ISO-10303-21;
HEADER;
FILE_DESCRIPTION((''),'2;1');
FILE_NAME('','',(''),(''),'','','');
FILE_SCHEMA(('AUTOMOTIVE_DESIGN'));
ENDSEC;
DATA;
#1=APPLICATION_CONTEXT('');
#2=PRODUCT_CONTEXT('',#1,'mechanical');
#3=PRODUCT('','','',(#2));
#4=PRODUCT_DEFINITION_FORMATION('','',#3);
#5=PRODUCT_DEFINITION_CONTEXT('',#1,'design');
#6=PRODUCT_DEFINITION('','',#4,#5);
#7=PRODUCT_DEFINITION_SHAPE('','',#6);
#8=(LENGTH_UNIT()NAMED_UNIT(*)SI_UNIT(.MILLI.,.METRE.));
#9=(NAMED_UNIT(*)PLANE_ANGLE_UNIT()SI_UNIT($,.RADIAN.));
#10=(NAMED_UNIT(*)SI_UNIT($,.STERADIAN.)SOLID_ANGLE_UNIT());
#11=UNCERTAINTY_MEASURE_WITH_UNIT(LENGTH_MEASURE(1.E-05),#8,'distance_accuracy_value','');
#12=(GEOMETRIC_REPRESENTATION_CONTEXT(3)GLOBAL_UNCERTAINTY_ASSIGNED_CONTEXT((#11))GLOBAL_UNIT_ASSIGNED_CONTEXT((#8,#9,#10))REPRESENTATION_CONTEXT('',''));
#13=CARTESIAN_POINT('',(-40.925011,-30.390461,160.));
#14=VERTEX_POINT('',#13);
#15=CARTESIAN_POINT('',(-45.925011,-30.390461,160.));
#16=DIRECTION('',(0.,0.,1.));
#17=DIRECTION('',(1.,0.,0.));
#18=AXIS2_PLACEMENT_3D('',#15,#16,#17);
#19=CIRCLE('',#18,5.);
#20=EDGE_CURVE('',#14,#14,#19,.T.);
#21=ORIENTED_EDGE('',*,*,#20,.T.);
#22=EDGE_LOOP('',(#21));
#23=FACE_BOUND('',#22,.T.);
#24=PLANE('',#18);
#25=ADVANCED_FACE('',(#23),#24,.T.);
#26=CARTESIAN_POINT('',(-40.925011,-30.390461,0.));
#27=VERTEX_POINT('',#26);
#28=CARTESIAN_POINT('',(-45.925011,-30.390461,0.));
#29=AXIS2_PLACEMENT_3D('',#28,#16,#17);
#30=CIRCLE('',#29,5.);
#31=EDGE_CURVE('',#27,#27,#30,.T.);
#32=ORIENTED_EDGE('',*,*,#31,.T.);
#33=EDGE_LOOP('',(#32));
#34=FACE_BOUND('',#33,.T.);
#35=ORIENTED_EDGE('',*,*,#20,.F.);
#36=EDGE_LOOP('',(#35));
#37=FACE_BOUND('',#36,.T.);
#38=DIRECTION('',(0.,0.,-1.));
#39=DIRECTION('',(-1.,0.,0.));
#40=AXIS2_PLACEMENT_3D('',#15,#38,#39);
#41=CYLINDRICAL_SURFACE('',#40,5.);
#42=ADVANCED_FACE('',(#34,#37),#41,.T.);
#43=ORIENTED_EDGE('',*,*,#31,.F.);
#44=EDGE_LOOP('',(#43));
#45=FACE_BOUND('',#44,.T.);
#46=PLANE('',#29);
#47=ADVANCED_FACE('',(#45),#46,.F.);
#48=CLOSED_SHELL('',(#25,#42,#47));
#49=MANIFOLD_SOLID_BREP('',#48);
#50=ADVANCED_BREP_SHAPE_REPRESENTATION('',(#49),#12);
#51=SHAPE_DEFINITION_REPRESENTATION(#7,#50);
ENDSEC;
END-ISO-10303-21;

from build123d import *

# Parameters (mm, degrees)
SKETCH1_R           = 5
BOSS_EXTRUDE1_DEPTH = 160


with BuildPart() as part:
    # Sketch1 → Boss-Extrude1 (new body)
    with BuildSketch(Plane.XY):
        with Locations((-45.925011204, -30.390461356)):
            Circle(SKETCH1_R)
    extrude(amount=BOSS_EXTRUDE1_DEPTH)


solid = part.part
